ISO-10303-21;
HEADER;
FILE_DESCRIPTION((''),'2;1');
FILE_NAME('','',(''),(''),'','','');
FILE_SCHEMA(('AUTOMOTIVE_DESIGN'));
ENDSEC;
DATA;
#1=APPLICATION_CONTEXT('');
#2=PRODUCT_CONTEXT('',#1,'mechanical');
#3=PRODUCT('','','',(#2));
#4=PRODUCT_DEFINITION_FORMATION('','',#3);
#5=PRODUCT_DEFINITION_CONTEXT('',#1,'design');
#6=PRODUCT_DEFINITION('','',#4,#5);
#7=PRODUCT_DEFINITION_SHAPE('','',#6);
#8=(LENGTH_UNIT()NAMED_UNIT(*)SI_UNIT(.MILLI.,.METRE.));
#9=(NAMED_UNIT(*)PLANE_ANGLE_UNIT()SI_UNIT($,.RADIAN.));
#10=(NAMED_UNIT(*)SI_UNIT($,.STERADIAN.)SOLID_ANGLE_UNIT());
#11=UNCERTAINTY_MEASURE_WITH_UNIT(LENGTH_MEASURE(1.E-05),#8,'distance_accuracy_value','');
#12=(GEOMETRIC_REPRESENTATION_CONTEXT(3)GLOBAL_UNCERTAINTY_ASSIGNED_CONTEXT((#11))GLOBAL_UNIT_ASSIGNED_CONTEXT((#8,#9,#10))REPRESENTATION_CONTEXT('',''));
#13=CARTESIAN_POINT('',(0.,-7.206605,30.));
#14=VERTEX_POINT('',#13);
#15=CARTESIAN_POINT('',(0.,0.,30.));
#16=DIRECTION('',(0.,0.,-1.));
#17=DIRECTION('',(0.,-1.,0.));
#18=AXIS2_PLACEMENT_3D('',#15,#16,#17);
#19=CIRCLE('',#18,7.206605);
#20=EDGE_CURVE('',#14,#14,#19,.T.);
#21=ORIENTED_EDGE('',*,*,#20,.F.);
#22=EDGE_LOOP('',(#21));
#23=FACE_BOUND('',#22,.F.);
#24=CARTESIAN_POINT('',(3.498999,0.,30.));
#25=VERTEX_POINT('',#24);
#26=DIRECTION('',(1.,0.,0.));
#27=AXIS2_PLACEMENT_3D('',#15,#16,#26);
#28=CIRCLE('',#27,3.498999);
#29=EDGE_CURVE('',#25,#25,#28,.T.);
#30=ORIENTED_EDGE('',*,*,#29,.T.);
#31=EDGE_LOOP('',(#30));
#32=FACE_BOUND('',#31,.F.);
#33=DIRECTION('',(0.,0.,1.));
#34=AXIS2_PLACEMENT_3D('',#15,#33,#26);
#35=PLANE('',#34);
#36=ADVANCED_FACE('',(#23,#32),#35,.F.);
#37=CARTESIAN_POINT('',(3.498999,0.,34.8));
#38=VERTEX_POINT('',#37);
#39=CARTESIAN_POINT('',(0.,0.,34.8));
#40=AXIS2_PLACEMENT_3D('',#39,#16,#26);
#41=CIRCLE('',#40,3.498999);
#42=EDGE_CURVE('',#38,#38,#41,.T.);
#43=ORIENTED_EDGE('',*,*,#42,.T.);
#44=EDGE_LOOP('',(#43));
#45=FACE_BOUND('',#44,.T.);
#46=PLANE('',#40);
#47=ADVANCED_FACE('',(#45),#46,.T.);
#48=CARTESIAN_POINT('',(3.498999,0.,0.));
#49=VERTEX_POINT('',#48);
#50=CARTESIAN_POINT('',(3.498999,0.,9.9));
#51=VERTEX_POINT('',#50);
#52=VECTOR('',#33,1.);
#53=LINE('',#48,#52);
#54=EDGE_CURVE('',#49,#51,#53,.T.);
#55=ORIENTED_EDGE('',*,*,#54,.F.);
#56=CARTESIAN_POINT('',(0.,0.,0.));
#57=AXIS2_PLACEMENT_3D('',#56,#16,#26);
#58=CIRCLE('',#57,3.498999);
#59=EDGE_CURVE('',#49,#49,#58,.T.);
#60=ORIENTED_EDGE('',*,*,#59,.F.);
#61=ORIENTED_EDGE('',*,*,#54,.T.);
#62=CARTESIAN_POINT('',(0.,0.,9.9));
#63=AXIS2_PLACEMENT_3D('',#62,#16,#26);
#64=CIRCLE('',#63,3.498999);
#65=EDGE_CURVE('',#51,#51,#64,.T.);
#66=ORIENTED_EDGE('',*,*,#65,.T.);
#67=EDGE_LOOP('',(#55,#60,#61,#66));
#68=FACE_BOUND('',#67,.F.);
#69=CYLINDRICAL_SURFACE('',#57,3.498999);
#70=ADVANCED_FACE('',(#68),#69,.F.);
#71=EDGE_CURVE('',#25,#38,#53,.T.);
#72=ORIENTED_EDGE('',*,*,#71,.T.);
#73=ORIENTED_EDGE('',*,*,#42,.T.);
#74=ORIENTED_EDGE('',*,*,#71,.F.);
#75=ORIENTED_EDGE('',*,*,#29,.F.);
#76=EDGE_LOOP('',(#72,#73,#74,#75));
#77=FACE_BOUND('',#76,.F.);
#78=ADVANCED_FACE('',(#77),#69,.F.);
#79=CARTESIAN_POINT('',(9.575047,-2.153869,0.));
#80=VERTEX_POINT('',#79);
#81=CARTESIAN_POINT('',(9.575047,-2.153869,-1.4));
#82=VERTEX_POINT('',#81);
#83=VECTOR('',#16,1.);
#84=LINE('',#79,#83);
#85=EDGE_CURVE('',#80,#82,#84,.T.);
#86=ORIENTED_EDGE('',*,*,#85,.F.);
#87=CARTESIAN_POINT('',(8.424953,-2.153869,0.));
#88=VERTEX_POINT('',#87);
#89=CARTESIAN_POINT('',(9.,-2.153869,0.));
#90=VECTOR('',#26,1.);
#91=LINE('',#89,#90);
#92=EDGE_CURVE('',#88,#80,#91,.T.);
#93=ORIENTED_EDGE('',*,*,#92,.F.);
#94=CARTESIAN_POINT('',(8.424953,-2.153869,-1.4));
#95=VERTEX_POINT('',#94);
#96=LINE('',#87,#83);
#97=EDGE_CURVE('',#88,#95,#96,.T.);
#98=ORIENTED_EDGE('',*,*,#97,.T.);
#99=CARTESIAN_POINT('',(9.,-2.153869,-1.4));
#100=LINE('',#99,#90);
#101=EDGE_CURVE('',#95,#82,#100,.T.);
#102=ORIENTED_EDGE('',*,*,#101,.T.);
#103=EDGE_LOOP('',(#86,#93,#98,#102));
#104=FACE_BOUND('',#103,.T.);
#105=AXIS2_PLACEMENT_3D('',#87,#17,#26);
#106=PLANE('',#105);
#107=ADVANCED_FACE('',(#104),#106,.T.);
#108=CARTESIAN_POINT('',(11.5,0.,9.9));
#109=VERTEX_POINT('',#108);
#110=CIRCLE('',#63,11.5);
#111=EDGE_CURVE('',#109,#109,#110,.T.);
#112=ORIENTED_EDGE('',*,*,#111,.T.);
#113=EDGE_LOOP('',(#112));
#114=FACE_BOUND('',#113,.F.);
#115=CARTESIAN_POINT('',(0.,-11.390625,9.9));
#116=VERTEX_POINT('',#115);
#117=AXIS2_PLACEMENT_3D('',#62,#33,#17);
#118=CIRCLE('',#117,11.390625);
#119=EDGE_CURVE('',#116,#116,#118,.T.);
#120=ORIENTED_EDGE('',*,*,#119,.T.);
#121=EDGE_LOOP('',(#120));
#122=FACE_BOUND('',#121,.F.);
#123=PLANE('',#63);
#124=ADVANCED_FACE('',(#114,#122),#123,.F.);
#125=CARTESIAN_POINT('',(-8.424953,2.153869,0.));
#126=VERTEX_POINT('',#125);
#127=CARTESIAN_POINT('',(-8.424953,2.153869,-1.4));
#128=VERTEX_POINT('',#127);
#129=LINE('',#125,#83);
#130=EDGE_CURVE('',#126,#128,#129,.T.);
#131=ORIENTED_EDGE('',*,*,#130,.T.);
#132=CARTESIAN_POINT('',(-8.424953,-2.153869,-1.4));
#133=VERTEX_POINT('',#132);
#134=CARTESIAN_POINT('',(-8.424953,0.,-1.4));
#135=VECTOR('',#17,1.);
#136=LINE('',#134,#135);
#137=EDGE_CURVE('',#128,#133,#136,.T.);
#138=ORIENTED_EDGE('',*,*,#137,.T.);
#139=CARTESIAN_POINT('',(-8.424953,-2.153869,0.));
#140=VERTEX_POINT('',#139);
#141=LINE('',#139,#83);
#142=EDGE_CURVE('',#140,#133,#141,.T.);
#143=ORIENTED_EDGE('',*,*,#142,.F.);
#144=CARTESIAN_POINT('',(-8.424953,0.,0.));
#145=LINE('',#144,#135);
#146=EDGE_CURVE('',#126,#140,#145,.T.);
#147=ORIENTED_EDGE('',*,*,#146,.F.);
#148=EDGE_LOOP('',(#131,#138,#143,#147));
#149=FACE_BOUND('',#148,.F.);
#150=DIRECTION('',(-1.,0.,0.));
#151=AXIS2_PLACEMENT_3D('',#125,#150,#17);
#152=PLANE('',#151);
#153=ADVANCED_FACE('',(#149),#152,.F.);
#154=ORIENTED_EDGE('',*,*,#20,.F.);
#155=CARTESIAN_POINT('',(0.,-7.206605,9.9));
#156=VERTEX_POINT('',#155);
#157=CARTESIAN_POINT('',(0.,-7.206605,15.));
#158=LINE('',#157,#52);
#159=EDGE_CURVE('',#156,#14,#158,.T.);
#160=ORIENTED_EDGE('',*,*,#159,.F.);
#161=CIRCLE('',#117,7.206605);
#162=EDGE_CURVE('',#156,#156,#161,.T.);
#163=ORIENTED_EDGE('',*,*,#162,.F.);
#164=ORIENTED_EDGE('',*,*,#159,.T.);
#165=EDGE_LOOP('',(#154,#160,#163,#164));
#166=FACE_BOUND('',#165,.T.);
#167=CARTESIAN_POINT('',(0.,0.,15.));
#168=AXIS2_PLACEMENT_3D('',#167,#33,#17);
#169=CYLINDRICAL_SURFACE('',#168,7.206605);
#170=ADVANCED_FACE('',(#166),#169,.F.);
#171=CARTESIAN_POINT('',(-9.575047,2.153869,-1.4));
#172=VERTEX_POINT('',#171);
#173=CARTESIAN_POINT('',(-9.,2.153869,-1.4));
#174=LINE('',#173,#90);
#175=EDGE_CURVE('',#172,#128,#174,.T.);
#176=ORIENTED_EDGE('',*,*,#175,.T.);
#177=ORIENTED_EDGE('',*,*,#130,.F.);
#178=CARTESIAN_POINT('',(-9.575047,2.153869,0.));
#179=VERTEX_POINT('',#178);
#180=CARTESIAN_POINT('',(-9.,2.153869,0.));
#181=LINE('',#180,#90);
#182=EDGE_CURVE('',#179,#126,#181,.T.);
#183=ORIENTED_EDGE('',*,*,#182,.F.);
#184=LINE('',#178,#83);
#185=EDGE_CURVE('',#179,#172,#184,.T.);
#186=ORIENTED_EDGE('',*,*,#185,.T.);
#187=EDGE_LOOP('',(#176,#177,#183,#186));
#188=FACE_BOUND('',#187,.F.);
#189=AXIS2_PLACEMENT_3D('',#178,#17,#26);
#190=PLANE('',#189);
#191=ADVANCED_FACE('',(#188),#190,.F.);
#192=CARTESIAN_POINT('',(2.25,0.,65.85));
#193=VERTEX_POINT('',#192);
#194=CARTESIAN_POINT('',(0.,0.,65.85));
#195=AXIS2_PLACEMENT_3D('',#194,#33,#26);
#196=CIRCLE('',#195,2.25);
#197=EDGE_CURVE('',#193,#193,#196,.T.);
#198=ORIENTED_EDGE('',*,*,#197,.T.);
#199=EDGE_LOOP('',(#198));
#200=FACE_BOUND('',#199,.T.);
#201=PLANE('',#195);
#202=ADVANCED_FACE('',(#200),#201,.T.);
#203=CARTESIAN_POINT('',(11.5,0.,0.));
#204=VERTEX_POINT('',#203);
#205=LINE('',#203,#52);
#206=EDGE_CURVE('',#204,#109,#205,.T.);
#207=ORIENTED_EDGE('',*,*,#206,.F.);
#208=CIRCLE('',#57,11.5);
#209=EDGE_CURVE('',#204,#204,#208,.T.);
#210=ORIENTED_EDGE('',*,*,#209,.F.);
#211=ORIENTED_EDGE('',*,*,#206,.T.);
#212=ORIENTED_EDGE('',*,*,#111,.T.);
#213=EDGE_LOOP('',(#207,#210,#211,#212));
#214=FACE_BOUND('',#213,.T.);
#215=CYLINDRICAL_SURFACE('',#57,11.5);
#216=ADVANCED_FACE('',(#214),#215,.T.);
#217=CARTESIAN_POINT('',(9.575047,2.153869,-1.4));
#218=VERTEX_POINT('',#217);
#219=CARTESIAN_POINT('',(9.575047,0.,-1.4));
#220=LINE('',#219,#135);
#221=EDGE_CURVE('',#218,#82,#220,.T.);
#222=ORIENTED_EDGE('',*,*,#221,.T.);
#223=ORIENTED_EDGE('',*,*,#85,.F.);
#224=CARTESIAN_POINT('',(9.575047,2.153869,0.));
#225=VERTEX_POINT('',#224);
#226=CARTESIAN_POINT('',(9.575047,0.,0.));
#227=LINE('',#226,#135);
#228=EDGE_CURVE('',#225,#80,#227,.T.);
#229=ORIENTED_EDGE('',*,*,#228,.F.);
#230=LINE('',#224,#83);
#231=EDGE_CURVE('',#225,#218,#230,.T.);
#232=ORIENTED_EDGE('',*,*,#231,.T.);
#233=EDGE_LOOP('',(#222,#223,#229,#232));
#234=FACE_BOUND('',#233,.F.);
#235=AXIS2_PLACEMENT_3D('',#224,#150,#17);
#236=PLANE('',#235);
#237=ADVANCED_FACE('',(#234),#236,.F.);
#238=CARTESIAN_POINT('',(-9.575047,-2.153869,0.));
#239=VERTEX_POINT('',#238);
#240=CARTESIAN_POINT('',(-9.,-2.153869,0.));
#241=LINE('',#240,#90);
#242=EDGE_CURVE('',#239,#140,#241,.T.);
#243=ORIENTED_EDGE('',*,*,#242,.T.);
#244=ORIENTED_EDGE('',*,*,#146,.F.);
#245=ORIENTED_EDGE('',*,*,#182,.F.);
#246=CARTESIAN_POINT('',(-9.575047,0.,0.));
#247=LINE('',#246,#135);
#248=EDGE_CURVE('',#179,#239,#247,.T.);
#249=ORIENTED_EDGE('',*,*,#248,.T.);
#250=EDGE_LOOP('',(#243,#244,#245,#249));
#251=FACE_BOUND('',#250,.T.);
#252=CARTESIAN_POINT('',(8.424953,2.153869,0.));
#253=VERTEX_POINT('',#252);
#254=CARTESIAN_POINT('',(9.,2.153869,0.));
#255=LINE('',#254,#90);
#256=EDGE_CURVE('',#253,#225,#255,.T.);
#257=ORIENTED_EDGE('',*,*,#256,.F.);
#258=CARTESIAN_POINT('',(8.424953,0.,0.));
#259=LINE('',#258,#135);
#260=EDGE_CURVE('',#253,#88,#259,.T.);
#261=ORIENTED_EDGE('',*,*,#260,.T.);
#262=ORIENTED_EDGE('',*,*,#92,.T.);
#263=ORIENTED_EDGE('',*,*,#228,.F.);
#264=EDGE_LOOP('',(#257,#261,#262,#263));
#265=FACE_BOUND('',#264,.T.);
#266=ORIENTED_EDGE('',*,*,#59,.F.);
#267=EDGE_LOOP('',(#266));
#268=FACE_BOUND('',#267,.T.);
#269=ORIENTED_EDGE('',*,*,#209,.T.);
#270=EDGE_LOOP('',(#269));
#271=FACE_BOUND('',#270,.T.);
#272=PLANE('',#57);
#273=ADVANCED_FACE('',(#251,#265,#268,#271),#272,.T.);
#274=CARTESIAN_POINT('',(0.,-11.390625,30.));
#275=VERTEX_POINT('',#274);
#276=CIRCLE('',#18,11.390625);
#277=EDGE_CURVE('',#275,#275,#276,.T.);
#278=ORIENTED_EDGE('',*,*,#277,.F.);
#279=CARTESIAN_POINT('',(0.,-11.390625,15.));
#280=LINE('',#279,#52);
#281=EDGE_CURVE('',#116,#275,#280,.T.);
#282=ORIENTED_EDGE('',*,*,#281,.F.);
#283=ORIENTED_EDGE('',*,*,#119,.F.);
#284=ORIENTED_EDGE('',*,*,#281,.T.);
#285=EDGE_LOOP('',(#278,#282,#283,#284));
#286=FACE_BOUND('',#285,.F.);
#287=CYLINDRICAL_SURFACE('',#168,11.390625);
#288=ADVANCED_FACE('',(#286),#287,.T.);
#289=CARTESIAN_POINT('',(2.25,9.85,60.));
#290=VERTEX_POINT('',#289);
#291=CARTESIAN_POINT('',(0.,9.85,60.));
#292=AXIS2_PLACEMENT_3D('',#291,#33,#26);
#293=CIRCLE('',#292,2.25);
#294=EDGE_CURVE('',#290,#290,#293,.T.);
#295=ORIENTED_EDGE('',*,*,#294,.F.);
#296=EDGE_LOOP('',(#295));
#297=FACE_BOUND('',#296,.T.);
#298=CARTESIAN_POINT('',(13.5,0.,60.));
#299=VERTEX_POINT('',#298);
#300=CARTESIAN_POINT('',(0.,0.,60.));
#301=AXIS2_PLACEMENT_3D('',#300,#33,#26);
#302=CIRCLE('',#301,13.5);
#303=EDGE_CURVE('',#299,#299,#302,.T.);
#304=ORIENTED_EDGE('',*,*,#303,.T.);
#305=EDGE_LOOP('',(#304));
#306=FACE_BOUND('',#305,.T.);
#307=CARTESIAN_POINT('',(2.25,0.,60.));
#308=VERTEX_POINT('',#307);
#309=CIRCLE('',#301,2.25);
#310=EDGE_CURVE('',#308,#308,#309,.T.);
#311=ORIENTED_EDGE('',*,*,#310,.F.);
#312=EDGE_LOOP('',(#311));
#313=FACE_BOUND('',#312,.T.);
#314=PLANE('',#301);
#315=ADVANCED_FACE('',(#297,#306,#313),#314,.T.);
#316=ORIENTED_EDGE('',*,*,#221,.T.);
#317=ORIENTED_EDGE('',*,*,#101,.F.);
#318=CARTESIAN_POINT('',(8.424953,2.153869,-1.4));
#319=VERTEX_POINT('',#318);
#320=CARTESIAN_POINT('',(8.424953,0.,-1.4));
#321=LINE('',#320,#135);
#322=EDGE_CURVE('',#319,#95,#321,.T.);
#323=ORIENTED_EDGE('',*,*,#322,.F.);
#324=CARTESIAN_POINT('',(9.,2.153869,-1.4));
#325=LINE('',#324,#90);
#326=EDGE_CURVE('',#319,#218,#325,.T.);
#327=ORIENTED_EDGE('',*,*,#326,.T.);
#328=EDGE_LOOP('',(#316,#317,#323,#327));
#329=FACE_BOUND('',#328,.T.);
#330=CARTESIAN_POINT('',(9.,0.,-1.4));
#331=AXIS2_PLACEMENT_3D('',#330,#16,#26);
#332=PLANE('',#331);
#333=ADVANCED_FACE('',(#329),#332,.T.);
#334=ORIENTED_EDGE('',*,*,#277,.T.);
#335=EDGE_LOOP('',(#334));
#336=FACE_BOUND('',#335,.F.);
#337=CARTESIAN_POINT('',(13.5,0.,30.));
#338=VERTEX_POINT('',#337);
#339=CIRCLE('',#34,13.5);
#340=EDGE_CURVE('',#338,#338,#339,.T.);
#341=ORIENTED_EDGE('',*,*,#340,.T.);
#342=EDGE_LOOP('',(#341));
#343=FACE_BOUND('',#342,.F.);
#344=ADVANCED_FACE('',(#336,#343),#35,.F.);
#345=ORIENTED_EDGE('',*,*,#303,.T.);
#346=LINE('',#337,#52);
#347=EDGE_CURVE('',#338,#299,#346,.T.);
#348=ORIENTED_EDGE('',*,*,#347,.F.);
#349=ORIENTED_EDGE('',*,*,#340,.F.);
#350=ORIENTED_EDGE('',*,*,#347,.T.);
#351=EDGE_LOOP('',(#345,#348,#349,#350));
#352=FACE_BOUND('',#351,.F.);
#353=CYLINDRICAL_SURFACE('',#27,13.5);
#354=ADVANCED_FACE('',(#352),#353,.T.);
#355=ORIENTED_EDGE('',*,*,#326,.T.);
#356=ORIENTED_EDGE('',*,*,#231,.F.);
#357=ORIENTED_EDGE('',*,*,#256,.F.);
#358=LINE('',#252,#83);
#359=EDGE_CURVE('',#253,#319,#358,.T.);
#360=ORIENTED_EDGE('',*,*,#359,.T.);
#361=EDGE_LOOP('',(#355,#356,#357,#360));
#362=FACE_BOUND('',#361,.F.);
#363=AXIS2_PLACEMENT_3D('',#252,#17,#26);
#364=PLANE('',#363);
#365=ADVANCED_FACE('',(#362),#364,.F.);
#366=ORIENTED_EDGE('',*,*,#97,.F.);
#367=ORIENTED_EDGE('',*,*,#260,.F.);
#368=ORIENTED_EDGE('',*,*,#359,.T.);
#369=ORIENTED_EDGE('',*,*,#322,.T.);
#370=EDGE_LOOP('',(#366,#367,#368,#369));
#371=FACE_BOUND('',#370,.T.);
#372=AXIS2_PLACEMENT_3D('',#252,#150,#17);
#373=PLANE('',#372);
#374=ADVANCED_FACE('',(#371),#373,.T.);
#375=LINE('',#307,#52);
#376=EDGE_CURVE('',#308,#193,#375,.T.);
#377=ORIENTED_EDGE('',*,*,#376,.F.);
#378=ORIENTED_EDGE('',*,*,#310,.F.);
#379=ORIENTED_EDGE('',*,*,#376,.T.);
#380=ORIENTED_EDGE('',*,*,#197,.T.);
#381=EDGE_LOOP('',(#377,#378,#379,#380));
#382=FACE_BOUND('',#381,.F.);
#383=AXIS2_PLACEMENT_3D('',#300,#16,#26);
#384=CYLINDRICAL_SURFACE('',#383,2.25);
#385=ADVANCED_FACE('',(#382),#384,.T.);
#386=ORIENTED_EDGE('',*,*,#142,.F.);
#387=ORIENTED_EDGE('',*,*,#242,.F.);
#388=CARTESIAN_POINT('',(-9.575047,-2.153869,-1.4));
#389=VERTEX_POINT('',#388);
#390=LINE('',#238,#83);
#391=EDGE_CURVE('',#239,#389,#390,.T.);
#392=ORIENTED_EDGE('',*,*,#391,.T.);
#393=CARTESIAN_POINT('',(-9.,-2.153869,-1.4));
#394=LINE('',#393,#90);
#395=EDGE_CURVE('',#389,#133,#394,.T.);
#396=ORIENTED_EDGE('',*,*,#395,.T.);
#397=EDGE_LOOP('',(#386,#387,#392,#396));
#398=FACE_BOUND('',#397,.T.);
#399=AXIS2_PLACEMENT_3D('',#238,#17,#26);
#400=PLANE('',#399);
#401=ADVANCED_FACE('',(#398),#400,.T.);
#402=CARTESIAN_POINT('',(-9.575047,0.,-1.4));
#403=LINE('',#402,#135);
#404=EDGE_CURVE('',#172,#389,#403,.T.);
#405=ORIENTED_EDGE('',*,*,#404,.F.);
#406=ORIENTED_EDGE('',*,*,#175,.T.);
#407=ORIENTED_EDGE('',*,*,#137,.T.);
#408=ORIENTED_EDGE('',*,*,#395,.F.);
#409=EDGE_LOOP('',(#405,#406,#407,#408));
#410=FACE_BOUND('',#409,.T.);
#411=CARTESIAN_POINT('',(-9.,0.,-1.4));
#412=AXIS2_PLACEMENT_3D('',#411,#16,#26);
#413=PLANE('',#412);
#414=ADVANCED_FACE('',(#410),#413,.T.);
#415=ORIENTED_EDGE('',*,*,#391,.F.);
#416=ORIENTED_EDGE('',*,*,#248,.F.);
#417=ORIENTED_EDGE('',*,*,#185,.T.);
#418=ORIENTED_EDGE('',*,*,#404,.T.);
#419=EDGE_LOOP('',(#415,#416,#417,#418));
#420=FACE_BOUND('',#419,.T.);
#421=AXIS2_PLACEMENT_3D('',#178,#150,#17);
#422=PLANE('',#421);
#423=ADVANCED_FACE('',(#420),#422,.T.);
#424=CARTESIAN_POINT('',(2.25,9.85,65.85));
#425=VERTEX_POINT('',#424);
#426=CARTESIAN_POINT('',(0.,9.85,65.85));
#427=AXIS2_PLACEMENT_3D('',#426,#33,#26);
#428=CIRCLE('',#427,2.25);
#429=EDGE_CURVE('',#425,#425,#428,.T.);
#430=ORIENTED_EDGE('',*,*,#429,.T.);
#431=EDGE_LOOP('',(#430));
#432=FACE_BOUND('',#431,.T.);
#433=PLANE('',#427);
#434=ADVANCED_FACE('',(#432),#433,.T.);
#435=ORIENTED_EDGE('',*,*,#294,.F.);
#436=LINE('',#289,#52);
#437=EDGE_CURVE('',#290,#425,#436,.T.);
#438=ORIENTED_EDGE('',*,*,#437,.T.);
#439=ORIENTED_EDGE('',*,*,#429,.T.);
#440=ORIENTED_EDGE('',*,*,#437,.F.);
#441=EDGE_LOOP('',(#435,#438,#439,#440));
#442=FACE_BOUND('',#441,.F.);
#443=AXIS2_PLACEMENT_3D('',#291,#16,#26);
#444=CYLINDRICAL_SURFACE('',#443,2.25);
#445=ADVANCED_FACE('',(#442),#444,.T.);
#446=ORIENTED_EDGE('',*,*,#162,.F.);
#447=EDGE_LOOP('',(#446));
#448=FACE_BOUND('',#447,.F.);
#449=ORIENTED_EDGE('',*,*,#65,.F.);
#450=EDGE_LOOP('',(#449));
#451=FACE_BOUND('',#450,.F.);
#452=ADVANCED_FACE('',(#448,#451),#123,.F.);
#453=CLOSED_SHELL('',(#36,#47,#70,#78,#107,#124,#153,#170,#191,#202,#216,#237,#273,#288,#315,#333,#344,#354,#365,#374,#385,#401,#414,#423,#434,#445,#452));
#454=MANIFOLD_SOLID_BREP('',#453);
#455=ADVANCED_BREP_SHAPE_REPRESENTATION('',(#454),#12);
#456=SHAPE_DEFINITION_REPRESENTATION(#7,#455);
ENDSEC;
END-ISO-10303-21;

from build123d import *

# Parameters (mm, degrees)
F0_W      = 4.18402
F0_H      = 30
F2_R      = 13.5
F3_DEPTH  = 30
F4_R      = 11.5
F5_DEPTH  = 9.9
F6_W      = 1.150094
F6_H      = 4.307738
F7_DEPTH  = 1.4
F6_R      = 3.498999
F8_DEPTH  = 34.8
F9_R      = 2.25
F10_DEPTH = 5.85


with BuildPart() as f1:
    # F0 (on Right) → F1 (revolve)
    with BuildSketch(Plane.YZ):
        with Locations((-9.298615, 15)):
            Rectangle(F0_W, F0_H)
    revolve(axis=Axis((0, 0, 13.057403), (0, 0, -1)))

    # F2 (on face) → F3 (join)
    with BuildSketch(Plane.XY.offset(30)):
        Circle(F2_R)
    extrude(amount=F3_DEPTH)

    # F4 (on face) → F5 (join)
    with BuildSketch(Plane(origin=(0, 0, 0), x_dir=(1, 0, 0), z_dir=(0, 0, -1))):
        Circle(F4_R)
    extrude(amount=-F5_DEPTH)

    # F6 (on face) → F7 (join)
    with BuildSketch(Plane(origin=(0, 0, 0), x_dir=(1, 0, 0), z_dir=(0, 0, -1))):
        with Locations((-9, 0)):
            Rectangle(F6_W, F6_H)
        with Locations((9, 0)):
            Rectangle(F6_W, F6_H)
    extrude(amount=F7_DEPTH)

    # F6 (on face) → F8 (cut)
    with BuildSketch(Plane(origin=(0, 0, 0), x_dir=(1, 0, 0), z_dir=(0, 0, -1))):
        Circle(F6_R)
    extrude(amount=-F8_DEPTH, mode=Mode.SUBTRACT)

    # F9 (on face) → F10 (join)
    with BuildSketch(Plane.XY.offset(60)):
        Circle(F9_R)
        with Locations((0, 9.85)):
            Circle(F9_R)
    extrude(amount=F10_DEPTH)


solid = f1.part
